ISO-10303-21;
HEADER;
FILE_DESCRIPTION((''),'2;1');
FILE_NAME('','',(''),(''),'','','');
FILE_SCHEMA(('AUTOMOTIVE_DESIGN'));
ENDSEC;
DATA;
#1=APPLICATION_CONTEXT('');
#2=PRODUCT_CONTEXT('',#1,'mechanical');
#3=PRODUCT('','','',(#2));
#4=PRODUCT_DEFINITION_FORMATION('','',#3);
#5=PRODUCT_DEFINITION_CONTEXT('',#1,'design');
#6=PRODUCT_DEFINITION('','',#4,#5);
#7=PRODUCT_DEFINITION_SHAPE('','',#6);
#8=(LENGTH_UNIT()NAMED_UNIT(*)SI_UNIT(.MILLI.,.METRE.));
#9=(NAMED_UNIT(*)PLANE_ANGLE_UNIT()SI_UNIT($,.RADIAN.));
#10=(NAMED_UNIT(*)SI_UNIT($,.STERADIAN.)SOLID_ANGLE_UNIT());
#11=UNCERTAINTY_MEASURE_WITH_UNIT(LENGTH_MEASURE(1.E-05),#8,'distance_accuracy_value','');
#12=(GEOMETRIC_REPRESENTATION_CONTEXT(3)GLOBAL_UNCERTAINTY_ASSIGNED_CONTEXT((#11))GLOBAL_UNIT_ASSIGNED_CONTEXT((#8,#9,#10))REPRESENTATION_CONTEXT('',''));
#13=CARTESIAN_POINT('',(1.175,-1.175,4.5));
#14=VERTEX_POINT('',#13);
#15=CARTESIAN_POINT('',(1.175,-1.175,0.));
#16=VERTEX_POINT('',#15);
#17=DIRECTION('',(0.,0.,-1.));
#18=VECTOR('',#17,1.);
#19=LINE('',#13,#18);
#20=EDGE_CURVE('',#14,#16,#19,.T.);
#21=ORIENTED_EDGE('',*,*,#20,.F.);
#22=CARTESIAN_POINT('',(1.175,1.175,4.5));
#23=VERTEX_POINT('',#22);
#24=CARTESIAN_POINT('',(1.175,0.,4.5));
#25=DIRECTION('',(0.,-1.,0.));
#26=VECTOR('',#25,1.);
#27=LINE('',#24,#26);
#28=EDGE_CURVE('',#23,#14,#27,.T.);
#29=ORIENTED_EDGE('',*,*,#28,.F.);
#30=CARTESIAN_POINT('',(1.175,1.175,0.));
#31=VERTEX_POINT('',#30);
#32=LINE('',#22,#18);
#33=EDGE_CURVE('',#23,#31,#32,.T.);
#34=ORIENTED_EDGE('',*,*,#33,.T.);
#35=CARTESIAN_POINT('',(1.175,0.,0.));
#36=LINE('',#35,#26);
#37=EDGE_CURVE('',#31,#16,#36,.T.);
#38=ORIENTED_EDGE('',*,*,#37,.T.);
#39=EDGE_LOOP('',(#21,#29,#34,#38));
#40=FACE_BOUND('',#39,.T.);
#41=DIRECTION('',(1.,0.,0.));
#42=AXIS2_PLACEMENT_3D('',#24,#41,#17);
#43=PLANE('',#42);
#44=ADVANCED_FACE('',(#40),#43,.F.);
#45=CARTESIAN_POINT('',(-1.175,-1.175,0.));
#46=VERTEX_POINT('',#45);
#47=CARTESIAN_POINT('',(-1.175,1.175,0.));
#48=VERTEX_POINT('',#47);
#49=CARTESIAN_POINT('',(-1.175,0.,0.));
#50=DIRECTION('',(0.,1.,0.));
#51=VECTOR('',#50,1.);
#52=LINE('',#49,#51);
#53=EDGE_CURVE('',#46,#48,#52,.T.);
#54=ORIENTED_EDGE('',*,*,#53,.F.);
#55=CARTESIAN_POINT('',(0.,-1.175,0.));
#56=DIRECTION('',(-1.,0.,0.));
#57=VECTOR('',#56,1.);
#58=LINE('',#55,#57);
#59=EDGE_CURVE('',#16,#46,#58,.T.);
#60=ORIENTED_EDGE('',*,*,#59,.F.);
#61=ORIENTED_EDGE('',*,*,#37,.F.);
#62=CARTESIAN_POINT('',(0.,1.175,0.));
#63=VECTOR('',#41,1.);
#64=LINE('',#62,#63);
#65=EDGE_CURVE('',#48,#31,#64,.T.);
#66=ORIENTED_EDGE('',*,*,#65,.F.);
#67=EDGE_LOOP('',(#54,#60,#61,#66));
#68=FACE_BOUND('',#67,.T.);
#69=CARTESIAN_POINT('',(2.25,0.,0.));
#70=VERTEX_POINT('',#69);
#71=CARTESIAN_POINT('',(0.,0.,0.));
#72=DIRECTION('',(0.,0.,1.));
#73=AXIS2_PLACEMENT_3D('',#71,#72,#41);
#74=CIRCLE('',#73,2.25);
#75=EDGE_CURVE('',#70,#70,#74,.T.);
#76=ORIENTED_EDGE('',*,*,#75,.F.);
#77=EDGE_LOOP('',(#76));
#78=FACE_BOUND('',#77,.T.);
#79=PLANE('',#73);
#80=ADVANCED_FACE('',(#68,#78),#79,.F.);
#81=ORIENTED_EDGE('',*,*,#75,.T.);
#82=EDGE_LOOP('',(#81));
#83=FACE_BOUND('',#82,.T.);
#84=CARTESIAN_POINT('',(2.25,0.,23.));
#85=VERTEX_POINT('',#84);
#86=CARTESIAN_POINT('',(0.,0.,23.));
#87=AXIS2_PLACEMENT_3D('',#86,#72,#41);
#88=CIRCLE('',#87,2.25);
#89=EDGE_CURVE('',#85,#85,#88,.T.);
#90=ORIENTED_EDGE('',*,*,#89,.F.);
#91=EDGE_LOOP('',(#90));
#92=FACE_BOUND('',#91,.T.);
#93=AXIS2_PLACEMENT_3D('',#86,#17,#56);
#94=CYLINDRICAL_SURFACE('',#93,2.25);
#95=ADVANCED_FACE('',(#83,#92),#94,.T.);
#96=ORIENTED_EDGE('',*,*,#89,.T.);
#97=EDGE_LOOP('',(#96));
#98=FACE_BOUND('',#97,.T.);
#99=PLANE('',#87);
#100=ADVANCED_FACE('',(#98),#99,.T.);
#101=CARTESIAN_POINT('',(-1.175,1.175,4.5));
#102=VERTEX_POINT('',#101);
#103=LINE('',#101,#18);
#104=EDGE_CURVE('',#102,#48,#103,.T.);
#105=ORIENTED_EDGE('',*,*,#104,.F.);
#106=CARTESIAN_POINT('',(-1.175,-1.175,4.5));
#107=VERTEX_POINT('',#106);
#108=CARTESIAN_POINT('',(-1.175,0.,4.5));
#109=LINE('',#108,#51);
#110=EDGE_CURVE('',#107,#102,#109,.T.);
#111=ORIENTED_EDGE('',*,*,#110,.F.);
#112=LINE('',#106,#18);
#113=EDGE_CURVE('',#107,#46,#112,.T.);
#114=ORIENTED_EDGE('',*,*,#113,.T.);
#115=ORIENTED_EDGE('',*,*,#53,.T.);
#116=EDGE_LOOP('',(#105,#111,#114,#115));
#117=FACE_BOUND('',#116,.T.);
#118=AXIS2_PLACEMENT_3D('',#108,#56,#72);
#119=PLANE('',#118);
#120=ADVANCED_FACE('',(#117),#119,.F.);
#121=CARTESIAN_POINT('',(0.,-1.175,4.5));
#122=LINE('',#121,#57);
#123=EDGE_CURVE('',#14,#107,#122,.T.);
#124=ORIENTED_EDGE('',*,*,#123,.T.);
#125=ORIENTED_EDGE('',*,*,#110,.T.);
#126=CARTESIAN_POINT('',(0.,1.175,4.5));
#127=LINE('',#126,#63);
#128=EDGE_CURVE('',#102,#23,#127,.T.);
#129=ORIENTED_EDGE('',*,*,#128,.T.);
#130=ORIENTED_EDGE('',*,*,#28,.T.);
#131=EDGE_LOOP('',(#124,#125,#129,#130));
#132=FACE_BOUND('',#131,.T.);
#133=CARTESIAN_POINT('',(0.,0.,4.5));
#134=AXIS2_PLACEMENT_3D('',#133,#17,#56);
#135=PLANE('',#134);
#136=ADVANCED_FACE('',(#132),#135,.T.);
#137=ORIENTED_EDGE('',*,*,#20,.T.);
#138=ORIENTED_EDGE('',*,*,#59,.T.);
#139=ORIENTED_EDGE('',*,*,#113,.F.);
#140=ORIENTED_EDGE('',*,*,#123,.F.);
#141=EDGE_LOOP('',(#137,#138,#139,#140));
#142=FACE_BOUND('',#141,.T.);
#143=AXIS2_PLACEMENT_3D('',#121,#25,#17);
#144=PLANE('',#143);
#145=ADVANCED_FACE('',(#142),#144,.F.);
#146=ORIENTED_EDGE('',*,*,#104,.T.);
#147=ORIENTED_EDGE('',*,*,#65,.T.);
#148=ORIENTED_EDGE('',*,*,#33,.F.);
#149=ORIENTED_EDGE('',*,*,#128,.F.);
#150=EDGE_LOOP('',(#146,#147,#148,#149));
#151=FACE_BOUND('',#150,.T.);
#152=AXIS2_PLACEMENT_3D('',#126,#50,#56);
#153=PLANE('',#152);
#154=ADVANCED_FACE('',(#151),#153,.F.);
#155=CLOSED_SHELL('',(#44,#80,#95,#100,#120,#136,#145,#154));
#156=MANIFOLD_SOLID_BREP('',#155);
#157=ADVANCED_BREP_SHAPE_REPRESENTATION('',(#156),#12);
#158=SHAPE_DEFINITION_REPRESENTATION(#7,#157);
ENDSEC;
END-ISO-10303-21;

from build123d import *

# Parameters (mm, degrees)
SKETCH_1_R          = 2.25
EXTRUDE_2_DEPTH     = 23
SKETCH_7_W          = 2.35
SKETCH_7_H          = 2.35
CUT_EXTRUDE_3_DEPTH = 4.5


with BuildPart() as part:
    # 草图1 → 凸台-拉伸2 (new body)
    with BuildSketch(Plane.XY):
        Circle(SKETCH_1_R)
    extrude(amount=EXTRUDE_2_DEPTH)

    # 草图7 → 切除-拉伸3 (cut)
    with BuildSketch(Plane.XY):
        Rectangle(SKETCH_7_W, SKETCH_7_H)
    extrude(amount=CUT_EXTRUDE_3_DEPTH, mode=Mode.SUBTRACT)


solid = part.part
